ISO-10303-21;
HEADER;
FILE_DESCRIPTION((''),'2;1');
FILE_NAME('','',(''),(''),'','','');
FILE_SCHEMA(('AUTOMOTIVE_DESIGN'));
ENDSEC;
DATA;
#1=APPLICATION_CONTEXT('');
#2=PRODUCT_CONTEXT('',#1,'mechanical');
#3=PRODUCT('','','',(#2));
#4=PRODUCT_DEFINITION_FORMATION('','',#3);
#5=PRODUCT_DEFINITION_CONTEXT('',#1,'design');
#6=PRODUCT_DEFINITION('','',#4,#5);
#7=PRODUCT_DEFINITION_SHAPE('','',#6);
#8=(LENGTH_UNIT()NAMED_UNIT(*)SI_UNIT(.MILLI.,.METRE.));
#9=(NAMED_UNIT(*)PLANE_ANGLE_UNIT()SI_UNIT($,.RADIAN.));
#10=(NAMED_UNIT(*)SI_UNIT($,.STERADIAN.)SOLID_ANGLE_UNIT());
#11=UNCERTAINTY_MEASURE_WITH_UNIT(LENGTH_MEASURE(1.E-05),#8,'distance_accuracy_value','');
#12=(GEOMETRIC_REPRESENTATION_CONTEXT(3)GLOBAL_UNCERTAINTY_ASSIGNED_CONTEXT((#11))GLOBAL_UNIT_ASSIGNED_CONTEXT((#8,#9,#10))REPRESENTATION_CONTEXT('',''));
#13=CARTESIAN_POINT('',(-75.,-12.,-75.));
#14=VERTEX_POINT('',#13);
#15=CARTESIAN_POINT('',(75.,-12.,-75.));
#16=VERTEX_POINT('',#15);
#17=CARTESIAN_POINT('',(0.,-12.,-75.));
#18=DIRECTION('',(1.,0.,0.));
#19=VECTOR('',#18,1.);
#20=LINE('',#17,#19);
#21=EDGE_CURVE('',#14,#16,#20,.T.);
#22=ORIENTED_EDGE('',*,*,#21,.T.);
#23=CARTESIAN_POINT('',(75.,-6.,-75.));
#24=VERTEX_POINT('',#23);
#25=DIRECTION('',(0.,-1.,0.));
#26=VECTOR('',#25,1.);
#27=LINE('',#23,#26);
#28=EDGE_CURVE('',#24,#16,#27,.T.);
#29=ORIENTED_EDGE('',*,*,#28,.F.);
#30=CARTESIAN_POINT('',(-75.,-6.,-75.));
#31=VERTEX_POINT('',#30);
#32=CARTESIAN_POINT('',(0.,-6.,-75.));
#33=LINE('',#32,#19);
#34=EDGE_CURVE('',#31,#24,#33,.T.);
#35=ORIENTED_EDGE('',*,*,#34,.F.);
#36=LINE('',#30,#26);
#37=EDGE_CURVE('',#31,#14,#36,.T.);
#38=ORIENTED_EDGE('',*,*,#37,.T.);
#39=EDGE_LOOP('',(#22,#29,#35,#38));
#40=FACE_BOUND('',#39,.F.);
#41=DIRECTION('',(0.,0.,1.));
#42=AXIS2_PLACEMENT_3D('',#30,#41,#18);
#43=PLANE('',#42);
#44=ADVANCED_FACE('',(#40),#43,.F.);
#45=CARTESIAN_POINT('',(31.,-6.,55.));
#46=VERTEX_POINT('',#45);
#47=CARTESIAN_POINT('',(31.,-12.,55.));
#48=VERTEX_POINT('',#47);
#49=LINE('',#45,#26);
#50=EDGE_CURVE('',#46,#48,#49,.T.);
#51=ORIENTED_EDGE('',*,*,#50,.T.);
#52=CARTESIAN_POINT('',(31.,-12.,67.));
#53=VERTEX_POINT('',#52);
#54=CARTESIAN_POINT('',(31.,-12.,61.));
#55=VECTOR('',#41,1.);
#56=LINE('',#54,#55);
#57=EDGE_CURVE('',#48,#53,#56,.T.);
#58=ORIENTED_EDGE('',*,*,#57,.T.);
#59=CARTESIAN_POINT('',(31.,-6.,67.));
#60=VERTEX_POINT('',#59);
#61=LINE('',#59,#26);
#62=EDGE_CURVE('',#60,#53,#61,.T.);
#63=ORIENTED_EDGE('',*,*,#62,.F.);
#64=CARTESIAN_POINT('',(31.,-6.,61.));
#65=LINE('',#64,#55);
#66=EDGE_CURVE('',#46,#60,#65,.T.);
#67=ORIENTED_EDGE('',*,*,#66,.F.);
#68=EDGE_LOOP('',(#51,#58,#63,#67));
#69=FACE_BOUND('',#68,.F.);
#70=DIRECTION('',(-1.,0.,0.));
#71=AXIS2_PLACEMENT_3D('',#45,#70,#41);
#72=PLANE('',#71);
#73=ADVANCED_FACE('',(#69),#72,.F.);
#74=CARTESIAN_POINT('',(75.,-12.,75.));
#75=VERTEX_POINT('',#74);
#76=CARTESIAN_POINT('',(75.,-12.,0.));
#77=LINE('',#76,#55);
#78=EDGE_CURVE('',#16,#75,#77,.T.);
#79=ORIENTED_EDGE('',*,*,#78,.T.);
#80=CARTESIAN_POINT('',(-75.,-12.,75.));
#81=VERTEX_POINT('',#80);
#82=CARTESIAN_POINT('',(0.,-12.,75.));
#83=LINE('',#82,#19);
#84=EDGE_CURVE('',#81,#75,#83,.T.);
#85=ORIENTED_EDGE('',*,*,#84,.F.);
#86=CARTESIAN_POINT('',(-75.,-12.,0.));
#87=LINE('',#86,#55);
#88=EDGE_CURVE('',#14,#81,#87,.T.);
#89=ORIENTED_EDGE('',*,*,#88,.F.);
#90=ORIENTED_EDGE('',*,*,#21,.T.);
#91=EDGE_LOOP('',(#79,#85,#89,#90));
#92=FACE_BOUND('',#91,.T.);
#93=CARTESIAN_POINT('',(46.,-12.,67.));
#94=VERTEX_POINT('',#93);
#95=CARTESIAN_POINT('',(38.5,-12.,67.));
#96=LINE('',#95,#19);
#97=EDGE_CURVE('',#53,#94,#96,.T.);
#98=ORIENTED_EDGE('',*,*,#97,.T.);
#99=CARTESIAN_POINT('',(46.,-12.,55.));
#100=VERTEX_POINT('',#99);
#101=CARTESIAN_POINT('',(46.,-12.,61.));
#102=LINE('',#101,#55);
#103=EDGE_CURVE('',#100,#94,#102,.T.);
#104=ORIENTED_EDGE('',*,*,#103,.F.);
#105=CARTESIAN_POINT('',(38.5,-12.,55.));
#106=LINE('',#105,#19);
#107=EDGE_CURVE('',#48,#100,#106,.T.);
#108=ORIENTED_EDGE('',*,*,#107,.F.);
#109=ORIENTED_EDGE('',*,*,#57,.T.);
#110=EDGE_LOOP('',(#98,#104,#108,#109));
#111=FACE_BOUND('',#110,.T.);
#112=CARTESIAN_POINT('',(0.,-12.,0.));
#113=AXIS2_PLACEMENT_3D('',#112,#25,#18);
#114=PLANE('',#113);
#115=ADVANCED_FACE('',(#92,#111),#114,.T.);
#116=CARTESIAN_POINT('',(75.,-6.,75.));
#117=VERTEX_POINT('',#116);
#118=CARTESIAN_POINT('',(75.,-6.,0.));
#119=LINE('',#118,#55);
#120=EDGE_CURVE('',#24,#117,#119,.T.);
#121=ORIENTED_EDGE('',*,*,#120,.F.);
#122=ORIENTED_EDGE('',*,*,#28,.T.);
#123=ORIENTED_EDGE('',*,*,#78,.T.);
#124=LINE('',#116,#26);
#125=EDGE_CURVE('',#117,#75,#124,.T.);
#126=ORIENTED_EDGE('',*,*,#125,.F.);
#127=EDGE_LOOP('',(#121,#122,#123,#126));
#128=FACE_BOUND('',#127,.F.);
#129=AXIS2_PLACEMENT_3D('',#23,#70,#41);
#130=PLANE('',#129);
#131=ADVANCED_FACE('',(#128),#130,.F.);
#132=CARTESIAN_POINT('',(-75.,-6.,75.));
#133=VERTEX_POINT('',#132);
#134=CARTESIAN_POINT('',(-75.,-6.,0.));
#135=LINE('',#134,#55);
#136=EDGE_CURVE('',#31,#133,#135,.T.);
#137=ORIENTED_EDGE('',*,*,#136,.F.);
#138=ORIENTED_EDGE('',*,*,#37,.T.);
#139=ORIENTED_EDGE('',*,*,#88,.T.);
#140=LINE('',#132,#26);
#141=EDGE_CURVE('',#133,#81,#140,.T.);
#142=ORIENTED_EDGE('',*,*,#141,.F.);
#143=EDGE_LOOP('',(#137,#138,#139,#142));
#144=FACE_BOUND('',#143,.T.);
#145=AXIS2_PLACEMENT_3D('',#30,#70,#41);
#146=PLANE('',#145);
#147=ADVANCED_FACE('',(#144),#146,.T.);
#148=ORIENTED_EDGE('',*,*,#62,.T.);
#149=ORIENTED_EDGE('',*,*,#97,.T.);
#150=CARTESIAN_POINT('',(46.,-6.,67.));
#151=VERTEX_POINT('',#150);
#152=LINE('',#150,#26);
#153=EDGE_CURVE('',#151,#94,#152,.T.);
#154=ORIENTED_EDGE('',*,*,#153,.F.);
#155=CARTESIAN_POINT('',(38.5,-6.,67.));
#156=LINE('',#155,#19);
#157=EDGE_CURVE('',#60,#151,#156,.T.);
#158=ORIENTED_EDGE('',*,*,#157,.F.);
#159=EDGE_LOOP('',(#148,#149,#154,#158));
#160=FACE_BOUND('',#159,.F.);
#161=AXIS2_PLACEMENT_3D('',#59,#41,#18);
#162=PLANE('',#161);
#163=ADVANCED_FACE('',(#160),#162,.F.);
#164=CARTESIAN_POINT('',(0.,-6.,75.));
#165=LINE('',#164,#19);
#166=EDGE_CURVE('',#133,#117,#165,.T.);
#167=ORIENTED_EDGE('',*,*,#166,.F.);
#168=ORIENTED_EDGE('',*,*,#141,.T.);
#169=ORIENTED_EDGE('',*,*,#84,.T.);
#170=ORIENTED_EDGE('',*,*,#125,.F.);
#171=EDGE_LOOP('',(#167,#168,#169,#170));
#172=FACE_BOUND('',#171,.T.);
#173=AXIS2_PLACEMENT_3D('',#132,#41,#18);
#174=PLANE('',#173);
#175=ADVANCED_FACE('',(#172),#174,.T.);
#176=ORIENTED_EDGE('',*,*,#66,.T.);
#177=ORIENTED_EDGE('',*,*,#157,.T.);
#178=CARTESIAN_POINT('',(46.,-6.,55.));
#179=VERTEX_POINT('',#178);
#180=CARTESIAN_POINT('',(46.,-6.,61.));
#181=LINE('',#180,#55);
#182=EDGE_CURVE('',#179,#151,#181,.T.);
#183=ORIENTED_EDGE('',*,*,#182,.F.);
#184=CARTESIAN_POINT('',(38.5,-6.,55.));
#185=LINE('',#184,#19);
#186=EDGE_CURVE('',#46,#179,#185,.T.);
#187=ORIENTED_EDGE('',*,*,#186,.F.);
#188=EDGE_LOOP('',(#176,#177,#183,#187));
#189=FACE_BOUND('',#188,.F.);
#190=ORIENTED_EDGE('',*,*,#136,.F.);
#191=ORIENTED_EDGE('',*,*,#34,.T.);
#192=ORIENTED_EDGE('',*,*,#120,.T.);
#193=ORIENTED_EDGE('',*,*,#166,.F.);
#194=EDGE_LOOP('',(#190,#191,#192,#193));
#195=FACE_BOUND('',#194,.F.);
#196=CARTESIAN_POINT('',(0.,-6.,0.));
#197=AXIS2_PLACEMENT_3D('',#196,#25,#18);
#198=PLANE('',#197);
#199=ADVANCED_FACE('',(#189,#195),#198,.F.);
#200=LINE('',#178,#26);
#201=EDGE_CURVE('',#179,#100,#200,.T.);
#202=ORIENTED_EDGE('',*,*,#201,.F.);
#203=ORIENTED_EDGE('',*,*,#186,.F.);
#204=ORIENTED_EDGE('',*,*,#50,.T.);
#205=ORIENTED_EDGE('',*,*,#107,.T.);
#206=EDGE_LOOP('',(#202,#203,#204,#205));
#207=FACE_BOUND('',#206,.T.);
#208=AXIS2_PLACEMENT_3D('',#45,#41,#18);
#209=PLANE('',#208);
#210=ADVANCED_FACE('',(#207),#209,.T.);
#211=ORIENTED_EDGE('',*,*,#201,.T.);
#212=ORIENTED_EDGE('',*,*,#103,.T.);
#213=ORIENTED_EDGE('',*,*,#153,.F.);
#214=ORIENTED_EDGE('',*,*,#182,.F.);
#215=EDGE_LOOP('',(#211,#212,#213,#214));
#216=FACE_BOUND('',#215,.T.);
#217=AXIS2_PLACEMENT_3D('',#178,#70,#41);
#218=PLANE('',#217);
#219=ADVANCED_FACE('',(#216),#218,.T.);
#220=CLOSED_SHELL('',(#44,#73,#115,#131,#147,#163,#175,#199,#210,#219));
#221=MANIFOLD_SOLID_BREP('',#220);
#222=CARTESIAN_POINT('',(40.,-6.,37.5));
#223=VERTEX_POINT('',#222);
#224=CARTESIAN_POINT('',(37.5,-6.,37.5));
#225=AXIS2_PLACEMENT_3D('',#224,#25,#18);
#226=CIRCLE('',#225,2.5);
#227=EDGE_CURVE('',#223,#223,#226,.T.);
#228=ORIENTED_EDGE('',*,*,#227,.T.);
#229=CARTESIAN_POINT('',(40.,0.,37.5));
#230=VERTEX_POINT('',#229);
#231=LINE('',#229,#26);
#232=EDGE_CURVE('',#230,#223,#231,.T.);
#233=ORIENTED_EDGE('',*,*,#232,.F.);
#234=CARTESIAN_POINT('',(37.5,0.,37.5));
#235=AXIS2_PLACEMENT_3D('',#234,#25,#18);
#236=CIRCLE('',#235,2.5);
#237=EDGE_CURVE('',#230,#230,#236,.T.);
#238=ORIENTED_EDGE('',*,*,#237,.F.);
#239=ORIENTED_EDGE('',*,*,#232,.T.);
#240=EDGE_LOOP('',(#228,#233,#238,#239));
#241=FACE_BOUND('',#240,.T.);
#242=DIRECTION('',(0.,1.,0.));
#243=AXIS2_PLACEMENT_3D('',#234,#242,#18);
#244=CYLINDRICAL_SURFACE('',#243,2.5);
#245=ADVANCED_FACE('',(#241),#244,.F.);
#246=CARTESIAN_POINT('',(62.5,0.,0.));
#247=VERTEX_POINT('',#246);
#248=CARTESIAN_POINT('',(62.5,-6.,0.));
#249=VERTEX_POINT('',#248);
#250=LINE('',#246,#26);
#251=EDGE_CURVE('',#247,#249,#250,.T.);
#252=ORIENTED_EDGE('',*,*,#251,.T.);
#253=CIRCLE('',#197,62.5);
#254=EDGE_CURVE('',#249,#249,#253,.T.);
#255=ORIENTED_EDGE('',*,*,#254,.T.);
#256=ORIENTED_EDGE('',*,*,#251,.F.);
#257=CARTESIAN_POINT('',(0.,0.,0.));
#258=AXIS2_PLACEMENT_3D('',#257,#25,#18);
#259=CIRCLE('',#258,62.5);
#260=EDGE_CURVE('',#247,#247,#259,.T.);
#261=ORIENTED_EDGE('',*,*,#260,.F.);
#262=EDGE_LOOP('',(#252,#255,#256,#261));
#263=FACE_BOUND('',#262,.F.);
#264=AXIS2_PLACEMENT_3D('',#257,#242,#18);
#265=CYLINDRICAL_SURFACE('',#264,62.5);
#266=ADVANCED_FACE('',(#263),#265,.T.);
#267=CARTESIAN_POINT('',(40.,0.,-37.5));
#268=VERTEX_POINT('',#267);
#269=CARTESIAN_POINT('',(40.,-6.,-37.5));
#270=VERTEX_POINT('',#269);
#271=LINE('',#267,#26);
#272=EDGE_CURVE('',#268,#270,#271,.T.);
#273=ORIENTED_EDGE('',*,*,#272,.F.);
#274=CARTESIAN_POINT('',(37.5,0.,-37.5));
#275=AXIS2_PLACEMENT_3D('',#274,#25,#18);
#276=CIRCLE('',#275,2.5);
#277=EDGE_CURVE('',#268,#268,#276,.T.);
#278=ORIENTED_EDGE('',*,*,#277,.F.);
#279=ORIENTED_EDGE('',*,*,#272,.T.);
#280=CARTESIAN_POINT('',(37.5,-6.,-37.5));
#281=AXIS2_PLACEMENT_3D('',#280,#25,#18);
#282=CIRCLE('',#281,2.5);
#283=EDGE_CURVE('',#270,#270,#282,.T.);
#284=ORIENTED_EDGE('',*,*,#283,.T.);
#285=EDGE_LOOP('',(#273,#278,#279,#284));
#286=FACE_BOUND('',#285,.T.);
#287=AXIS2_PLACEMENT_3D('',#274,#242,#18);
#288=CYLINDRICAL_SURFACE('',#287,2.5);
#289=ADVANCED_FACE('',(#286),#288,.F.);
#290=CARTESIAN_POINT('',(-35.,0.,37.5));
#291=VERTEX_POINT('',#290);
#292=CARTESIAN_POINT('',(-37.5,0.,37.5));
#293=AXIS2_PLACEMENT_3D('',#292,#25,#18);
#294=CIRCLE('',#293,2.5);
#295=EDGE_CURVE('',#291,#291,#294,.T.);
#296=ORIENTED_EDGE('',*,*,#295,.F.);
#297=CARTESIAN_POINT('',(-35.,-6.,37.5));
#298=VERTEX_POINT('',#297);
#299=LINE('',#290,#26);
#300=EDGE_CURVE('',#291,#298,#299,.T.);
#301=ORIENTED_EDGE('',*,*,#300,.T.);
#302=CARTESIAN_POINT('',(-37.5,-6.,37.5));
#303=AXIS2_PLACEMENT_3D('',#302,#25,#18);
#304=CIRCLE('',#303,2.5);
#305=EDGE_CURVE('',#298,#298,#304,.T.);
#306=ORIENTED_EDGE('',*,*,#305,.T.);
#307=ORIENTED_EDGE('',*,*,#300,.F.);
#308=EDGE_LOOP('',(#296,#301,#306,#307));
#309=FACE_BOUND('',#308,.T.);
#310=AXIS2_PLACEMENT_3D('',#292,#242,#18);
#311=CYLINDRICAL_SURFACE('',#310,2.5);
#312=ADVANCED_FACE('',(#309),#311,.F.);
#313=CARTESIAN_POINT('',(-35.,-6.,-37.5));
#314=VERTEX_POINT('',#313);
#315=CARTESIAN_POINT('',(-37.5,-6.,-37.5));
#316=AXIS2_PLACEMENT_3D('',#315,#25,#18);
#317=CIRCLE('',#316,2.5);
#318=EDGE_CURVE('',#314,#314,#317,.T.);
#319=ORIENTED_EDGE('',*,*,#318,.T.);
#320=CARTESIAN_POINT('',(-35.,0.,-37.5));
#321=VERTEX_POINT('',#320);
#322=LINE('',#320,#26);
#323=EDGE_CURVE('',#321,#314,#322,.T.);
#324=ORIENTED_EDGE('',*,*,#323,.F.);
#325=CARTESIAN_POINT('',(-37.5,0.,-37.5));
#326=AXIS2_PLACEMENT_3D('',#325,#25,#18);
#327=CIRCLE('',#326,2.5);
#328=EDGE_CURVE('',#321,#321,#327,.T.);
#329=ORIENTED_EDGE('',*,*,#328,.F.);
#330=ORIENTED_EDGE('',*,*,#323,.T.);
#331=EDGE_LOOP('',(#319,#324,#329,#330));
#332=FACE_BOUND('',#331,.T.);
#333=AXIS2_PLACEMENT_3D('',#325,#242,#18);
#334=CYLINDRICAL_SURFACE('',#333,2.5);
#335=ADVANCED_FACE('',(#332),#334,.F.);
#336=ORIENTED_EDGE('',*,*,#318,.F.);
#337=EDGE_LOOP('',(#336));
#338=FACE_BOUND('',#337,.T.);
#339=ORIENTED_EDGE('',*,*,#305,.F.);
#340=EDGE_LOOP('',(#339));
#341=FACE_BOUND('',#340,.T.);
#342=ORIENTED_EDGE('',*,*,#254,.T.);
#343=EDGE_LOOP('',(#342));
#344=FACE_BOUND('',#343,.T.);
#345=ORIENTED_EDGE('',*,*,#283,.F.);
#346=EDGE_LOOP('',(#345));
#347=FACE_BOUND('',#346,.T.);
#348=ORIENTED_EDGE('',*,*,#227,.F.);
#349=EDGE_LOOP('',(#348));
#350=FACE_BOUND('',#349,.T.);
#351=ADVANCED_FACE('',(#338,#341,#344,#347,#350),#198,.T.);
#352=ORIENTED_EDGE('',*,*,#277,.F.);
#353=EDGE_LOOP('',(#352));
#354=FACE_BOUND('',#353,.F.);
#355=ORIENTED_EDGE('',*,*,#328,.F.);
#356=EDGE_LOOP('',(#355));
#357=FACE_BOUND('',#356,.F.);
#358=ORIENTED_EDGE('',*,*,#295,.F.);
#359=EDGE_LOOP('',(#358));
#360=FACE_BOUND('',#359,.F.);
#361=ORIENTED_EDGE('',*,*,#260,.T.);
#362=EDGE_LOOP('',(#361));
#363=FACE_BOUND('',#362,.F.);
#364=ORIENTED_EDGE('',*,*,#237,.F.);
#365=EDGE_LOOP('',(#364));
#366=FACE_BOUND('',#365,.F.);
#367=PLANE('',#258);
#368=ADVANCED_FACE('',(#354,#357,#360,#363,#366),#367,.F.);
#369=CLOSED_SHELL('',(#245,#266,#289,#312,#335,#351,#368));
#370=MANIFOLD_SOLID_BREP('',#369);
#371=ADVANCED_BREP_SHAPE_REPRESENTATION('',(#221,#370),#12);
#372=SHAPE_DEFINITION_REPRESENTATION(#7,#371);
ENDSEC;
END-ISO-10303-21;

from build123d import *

# Parameters (mm, degrees)
F0_R     = 62.5
F0_R_2   = 2.5
F1_DEPTH = 6
F2_W     = 150
F2_H     = 150
F2_W_2   = 15
F2_H_2   = 12
F3_DEPTH = 6


with BuildPart() as f1:
    # F0 (on Front) → F1 (new body)
    with BuildSketch(Plane.XZ):
        Circle(F0_R)
        with Locations((-37.5, -37.5)):
            Circle(F0_R_2, mode=Mode.SUBTRACT)
        with Locations((37.5, -37.5)):
            Circle(F0_R_2, mode=Mode.SUBTRACT)
        with Locations((-37.5, 37.5)):
            Circle(F0_R_2, mode=Mode.SUBTRACT)
        with Locations((37.5, 37.5)):
            Circle(F0_R_2, mode=Mode.SUBTRACT)
    extrude(amount=F1_DEPTH)


with BuildPart() as f3:
    # F2 (on face) → F3 (new body)
    with BuildSketch(Plane.XZ.offset(6)):
        Rectangle(F2_W, F2_H)
        with Locations((38.5, 61)):
            Rectangle(F2_W_2, F2_H_2, mode=Mode.SUBTRACT)
    extrude(amount=F3_DEPTH)


solid = Compound([f1.part, f3.part])
